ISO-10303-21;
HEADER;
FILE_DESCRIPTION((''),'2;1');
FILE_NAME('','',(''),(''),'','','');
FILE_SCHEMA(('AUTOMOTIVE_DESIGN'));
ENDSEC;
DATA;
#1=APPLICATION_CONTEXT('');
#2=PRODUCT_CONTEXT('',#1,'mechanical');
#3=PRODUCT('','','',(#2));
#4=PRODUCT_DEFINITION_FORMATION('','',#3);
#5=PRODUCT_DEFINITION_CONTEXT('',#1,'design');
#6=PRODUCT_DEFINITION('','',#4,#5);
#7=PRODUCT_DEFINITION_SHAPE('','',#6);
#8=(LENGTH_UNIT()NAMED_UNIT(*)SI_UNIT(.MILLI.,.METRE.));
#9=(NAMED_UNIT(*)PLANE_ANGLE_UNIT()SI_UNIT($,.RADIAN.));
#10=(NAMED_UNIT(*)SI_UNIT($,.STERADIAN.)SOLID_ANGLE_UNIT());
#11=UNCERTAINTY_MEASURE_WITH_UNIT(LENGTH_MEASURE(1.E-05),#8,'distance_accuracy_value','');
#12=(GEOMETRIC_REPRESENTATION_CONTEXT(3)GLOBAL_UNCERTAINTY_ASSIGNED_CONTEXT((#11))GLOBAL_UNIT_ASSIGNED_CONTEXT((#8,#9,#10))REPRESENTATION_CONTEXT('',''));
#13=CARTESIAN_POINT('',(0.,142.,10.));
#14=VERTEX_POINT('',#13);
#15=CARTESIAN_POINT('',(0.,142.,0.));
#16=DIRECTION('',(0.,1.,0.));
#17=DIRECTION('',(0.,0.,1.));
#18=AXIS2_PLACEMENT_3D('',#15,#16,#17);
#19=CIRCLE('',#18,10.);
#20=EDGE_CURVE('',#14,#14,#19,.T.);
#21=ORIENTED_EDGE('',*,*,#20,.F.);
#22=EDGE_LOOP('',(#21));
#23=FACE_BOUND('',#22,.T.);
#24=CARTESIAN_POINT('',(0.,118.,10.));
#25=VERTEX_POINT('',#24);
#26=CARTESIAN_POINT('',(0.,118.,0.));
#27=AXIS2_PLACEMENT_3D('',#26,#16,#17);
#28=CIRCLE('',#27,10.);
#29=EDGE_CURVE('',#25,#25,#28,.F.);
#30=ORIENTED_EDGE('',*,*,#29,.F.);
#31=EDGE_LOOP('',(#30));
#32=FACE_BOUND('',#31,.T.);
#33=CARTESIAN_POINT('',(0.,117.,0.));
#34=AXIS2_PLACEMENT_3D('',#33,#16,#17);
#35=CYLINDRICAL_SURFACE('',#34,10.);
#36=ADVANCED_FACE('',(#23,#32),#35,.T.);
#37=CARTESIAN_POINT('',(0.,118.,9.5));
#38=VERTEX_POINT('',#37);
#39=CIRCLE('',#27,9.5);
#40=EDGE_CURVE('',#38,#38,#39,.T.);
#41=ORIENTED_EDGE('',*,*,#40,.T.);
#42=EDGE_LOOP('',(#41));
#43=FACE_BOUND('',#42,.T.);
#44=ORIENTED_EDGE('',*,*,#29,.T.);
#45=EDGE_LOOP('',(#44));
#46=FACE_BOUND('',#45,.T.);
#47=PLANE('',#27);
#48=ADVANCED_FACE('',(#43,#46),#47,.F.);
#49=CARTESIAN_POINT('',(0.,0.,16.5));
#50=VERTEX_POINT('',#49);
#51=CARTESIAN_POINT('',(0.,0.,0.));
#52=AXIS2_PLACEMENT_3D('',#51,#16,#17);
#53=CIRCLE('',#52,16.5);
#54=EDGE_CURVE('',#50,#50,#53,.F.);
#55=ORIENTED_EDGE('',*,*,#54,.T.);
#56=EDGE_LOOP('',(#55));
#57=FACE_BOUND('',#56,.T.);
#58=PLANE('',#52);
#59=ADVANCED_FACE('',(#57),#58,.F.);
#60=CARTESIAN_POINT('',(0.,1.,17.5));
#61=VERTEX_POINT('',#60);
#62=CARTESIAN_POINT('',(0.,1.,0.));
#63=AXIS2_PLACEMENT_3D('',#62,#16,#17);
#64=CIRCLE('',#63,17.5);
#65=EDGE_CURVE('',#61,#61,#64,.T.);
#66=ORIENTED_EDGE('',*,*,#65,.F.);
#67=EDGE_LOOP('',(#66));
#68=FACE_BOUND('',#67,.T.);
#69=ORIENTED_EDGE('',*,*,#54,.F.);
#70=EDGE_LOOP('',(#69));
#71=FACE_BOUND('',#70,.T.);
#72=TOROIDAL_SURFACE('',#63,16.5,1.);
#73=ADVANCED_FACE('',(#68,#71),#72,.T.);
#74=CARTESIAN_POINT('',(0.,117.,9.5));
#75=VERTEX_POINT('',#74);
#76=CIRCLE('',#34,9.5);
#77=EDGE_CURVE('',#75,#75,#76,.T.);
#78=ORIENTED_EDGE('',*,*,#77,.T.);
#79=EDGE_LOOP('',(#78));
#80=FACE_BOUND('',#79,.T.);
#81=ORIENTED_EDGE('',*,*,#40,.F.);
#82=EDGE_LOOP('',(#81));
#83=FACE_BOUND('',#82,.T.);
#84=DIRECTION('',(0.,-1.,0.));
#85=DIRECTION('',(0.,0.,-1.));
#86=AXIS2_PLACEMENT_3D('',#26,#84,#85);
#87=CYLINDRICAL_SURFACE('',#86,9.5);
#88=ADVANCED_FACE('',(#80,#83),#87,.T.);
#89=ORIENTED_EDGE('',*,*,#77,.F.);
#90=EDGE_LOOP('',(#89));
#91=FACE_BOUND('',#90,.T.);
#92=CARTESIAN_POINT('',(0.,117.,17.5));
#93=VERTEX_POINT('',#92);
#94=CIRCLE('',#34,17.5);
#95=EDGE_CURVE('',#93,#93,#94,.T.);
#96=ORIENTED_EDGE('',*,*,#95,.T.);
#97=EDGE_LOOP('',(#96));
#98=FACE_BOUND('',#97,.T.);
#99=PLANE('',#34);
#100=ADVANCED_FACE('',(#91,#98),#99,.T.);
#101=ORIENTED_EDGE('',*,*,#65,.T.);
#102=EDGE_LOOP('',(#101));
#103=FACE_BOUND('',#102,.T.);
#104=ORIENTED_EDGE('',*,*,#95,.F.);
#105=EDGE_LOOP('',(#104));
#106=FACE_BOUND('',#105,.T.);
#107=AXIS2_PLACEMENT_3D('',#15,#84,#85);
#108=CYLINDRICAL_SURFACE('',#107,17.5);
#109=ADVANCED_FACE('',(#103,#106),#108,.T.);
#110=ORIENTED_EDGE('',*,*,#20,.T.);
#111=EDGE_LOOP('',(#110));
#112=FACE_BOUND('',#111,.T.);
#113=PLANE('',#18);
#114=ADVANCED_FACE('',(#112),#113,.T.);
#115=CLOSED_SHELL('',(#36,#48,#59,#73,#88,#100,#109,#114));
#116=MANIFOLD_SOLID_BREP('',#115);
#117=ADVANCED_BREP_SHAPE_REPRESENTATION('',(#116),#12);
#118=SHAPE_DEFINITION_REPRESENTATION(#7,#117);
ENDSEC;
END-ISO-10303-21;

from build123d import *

# Parameters (mm, degrees)
SKETCH1_R           = 17.5
BOSS_EXTRUDE1_DEPTH = 142
SKETCH2_OUTSIDE_W   = 67.076
SKETCH2_OUTSIDE_H   = 67.076
SKETCH2_OUTSIDE_R   = 10
CUT_EXTRUDE1_DEPTH  = 25
SKETCH3_OUTSIDE_W   = 67.076
SKETCH3_OUTSIDE_H   = 67.076
SKETCH3_OUTSIDE_R   = 9.5
CUT_EXTRUDE2_DEPTH  = 1
FILLET1_R           = 1


with BuildPart() as part:
    # Sketch1 → Boss-Extrude1 (new body)
    with BuildSketch(Plane(origin=(0, 0, 0), x_dir=(1, 0, 0), z_dir=(0, 1, 0))):
        Circle(SKETCH1_R)
    extrude(amount=BOSS_EXTRUDE1_DEPTH)

    # Sketch2 outside → Cut-Extrude1 (cut)
    with BuildSketch(Plane(origin=(0, 142, 0), x_dir=(1, 0, 0), z_dir=(0, 1, 0))):
        Rectangle(SKETCH2_OUTSIDE_W, SKETCH2_OUTSIDE_H)
        Circle(SKETCH2_OUTSIDE_R, mode=Mode.SUBTRACT)
    extrude(amount=-CUT_EXTRUDE1_DEPTH, mode=Mode.SUBTRACT)

    # Sketch3 outside → Cut-Extrude2 (cut)
    with BuildSketch(Plane(origin=(0, 117, 0), x_dir=(1, 0, 0), z_dir=(0, 1, 0))):
        Rectangle(SKETCH3_OUTSIDE_W, SKETCH3_OUTSIDE_H)
        Circle(SKETCH3_OUTSIDE_R, mode=Mode.SUBTRACT)
    extrude(amount=CUT_EXTRUDE2_DEPTH, mode=Mode.SUBTRACT)

    # Fillet1
    fillet1_edges = [part.edges().sort_by_distance(p)[0] for p in [
        (-17.5, 0, 0),
    ]]
    fillet(fillet1_edges, radius=FILLET1_R)


solid = part.part
